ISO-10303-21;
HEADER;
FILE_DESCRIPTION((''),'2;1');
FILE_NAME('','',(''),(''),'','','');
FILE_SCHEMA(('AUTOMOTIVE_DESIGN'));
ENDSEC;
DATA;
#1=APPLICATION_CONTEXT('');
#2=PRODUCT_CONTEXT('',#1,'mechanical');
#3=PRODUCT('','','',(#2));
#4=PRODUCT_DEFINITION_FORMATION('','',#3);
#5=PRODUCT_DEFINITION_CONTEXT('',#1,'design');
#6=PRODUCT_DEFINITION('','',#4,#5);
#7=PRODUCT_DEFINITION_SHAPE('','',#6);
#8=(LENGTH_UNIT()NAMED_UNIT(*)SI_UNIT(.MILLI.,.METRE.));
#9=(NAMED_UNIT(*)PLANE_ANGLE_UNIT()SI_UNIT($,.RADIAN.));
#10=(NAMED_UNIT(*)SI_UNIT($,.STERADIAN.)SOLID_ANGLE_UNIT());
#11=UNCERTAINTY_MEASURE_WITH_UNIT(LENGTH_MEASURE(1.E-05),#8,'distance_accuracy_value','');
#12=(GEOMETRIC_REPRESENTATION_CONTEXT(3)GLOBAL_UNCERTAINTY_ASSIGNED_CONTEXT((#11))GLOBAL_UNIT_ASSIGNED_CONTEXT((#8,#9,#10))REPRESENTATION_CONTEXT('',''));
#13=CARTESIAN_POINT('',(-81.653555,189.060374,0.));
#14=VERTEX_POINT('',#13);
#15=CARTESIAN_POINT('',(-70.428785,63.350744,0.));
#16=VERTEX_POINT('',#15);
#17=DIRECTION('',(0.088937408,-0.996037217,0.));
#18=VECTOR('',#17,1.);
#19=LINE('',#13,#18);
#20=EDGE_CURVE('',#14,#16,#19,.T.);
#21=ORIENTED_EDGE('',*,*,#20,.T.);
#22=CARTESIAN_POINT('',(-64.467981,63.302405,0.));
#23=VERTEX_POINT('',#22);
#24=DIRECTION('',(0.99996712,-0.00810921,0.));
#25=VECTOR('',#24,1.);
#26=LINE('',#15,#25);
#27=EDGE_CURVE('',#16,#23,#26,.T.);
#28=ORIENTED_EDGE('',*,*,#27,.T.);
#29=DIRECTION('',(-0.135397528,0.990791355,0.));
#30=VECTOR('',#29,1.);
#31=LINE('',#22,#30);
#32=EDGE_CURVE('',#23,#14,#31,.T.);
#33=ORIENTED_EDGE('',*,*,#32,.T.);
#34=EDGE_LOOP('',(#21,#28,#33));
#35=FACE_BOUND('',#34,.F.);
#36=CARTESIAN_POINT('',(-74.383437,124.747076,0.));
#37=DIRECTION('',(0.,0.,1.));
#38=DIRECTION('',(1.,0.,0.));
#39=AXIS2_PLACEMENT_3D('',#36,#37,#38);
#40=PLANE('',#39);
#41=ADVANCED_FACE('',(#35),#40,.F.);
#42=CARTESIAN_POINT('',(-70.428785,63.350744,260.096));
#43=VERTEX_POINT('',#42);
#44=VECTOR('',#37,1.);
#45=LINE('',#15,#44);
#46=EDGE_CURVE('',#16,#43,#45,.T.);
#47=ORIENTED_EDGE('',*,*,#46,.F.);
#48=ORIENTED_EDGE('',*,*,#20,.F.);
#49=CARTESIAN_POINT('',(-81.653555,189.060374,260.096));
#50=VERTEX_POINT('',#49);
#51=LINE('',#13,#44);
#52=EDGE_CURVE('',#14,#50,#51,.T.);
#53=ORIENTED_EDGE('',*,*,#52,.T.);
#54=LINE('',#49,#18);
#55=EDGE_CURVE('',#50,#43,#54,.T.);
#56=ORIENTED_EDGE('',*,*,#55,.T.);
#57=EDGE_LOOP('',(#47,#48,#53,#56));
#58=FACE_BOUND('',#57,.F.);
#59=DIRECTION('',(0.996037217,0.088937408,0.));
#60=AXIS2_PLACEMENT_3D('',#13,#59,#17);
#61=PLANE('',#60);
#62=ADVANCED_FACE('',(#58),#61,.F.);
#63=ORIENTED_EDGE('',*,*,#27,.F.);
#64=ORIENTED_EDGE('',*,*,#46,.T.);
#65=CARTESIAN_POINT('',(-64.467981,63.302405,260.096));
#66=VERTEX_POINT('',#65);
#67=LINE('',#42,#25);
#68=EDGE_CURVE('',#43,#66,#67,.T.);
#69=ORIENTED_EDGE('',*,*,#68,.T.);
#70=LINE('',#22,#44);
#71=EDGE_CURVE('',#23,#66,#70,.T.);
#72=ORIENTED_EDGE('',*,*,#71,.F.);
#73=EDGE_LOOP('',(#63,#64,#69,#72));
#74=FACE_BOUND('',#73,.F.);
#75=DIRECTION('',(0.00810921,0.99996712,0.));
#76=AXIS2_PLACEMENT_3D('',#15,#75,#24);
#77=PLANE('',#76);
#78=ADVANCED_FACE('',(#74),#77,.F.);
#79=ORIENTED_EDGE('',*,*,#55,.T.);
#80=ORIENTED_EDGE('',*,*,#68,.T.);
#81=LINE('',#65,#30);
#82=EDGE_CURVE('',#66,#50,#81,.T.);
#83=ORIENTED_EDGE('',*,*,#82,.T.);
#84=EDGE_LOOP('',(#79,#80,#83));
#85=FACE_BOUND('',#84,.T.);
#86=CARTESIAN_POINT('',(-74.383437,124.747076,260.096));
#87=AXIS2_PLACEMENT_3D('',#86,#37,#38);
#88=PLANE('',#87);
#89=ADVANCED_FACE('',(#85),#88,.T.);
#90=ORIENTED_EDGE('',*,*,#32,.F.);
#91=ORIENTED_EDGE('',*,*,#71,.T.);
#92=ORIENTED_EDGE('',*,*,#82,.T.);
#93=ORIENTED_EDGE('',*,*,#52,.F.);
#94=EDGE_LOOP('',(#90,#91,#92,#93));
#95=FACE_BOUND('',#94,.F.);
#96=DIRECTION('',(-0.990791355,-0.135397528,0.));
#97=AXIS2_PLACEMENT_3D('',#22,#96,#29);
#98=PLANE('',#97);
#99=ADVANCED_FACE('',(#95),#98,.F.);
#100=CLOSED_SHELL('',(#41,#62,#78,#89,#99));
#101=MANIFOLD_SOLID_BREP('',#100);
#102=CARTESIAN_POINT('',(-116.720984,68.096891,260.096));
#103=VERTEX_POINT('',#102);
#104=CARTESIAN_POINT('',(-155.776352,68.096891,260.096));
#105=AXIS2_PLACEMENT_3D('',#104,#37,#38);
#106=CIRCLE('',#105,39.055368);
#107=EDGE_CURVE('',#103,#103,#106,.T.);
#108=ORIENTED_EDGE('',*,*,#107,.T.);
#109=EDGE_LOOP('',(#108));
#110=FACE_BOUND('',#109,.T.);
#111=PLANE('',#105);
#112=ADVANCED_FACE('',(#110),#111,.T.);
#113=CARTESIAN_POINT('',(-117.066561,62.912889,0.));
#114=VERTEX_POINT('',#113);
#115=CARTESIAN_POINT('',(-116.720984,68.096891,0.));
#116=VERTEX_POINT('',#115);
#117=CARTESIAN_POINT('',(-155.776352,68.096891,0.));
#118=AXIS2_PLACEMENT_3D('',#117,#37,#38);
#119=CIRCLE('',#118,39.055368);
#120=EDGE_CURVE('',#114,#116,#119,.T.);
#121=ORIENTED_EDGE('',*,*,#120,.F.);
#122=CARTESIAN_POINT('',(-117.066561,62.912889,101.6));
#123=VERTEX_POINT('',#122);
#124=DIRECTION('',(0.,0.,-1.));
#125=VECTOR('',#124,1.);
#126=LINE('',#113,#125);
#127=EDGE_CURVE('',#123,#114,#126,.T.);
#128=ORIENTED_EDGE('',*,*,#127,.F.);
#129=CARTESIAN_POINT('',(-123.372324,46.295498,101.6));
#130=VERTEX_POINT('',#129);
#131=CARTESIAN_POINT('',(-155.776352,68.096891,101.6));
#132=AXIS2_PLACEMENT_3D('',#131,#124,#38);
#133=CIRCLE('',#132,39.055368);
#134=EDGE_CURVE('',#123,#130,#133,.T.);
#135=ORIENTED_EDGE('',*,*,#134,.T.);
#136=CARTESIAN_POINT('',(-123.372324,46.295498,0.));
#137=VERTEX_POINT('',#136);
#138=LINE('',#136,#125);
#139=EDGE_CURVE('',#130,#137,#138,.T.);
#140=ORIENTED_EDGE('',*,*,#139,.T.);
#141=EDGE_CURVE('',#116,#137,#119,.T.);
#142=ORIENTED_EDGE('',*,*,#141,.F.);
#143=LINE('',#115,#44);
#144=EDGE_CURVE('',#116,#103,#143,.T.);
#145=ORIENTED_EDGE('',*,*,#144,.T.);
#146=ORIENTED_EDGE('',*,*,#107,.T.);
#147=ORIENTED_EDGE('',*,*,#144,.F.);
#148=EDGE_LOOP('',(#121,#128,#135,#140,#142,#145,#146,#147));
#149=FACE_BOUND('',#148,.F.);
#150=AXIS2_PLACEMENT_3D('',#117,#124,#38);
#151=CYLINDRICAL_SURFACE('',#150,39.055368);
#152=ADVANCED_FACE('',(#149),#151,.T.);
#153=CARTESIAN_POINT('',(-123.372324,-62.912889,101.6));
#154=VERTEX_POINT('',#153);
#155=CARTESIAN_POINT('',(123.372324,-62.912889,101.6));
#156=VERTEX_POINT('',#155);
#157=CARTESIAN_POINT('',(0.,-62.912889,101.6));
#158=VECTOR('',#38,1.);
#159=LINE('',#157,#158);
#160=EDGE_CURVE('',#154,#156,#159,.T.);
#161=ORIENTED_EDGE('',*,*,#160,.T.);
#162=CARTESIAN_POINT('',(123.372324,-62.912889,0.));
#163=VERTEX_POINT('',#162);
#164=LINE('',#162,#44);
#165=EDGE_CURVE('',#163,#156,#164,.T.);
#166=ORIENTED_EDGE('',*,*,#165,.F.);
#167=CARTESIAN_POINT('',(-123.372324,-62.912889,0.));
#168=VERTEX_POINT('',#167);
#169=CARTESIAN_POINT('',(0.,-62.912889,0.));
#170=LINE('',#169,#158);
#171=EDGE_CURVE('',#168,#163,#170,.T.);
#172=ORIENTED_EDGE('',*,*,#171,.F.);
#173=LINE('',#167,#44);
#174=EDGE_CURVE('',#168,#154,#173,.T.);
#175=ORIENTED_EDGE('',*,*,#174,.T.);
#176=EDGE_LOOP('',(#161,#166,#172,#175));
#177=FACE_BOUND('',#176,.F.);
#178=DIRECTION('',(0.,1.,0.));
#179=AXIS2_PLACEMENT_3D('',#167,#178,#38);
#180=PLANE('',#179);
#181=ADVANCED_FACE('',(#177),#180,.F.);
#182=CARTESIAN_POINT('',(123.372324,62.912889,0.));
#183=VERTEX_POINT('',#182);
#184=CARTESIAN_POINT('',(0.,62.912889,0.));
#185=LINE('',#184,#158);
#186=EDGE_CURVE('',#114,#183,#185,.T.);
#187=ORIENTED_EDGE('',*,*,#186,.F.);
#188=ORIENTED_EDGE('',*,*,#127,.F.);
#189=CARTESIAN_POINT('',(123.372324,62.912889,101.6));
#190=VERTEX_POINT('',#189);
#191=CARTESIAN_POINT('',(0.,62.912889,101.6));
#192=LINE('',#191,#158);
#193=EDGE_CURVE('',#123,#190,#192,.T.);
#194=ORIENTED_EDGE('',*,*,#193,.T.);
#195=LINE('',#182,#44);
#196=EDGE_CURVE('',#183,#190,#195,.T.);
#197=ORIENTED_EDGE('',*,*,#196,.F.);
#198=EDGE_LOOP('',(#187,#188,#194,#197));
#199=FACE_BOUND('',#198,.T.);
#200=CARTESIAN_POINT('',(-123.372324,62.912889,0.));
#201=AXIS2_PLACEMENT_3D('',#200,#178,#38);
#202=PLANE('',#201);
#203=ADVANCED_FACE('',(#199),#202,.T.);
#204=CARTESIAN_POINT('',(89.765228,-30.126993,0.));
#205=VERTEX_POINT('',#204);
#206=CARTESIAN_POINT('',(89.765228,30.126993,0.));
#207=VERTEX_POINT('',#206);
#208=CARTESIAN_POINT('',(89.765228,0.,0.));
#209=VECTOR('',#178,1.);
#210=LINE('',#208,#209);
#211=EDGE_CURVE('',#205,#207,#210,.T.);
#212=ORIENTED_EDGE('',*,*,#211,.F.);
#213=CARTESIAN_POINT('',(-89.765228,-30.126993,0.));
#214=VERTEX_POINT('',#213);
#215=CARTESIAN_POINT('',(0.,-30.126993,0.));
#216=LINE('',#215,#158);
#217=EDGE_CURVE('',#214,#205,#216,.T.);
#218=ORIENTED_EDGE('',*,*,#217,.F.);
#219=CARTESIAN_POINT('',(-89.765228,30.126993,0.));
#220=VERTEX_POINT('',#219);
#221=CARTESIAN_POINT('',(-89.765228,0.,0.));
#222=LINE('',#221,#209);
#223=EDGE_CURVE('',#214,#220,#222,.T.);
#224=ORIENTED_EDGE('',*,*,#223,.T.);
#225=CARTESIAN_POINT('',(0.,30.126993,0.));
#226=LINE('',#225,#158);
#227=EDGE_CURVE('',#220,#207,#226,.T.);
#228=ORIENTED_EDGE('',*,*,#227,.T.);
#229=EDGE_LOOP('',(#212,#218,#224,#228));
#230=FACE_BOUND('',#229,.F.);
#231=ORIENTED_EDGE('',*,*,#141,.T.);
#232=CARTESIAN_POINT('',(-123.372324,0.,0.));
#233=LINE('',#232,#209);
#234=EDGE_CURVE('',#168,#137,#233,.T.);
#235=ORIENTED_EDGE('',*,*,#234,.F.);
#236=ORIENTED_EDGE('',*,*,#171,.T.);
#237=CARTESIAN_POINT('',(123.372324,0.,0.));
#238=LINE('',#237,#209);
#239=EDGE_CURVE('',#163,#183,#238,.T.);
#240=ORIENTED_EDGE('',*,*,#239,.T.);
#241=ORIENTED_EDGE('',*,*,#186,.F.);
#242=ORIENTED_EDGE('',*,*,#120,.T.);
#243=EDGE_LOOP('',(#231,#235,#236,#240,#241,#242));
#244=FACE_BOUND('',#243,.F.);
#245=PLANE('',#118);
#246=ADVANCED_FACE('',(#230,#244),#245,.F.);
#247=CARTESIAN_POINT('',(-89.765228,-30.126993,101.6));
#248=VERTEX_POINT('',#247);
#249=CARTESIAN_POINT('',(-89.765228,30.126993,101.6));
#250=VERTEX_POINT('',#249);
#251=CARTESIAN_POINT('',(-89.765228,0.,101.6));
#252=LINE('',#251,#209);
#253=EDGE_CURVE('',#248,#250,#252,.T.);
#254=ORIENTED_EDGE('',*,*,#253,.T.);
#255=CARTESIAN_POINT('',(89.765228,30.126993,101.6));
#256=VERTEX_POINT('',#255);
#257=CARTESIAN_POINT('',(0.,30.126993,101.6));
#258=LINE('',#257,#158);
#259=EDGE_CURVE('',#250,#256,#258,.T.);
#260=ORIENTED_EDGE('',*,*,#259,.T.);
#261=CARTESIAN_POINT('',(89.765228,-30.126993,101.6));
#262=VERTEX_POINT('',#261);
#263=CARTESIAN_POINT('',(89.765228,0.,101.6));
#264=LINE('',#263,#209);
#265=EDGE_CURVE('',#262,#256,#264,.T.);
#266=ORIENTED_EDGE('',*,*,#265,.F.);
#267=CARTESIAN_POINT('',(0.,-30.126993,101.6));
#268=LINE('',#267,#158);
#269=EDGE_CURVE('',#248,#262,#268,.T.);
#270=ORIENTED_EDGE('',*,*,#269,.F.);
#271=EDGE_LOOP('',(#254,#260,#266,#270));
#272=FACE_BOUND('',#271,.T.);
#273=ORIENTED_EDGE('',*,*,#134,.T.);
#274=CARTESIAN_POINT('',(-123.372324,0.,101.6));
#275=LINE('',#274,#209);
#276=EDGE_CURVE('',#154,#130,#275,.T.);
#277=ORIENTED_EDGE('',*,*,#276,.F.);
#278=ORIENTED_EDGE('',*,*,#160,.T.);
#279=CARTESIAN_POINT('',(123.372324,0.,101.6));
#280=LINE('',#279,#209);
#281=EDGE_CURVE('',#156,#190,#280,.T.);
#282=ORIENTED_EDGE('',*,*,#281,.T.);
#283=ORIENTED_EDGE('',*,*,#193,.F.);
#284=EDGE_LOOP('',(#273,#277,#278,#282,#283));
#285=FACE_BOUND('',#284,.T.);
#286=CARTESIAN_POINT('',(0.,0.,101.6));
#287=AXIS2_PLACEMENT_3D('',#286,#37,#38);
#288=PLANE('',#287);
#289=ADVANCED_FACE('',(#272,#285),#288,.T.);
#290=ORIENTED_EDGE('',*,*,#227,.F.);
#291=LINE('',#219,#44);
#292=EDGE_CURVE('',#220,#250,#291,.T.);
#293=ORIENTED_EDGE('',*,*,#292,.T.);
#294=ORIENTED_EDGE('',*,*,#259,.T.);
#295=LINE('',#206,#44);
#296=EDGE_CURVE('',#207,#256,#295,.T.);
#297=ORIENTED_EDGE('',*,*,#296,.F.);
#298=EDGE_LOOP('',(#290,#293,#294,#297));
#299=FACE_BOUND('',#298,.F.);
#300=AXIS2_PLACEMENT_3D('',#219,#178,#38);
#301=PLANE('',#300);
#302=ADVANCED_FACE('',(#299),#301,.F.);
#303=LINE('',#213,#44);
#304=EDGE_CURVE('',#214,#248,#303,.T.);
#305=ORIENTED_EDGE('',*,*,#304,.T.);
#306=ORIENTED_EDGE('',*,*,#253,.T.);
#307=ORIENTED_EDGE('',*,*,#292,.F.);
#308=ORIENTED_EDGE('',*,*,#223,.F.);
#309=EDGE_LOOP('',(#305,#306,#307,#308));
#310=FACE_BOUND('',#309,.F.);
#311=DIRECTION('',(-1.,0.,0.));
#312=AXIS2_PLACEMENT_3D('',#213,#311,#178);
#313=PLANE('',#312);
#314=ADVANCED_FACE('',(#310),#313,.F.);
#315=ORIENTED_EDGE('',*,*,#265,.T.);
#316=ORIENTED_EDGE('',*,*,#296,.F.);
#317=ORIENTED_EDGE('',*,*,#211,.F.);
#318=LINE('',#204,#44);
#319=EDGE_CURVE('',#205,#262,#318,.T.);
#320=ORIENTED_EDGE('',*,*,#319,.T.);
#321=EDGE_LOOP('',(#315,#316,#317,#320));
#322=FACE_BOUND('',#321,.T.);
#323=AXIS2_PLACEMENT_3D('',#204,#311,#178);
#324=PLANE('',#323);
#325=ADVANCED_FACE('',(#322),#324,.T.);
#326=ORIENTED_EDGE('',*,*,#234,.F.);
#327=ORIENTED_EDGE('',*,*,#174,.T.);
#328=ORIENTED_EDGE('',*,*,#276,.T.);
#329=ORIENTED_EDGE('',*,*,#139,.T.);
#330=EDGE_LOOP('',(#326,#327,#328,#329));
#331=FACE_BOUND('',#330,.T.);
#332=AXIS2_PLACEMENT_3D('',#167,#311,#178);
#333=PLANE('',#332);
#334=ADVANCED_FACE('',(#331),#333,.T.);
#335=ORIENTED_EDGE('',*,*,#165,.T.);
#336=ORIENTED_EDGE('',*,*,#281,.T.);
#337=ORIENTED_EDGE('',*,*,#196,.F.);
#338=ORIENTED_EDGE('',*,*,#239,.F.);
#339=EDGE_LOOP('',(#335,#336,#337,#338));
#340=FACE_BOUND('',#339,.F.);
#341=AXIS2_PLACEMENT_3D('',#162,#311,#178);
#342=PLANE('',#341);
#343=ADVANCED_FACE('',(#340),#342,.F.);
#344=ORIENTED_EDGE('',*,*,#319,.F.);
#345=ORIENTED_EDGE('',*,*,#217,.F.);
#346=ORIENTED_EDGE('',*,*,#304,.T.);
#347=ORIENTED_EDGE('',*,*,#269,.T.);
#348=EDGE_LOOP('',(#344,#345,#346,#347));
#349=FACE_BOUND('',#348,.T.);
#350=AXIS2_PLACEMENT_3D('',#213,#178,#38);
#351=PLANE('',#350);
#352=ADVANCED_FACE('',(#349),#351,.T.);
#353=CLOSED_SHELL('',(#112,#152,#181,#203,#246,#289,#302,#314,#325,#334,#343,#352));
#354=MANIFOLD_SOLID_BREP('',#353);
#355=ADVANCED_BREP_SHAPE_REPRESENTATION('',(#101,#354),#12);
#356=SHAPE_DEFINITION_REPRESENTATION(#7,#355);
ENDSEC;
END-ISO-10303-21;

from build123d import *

# Parameters (mm, degrees)
F0_W     = 246.744648
F0_H     = 125.825778
F0_W_2   = 179.530456
F0_H_2   = 60.253986
F1_DEPTH = 101.6
F3_R     = 39.055368
F3_R_2   = 15.617245
F4_DEPTH = 260.096


with BuildPart() as f1:
    # F0 (on Top) → F1 (new body)
    with BuildSketch(Plane.XY):
        Rectangle(F0_W, F0_H)
        Rectangle(F0_W_2, F0_H_2, mode=Mode.SUBTRACT)
    extrude(amount=F1_DEPTH)

    # F3 (on Top) + F2 (on Top) → F4 (join)
    with BuildSketch(Plane.XY):
        with Locations((-155.776352, 68.096891)):
            Circle(F3_R)
        with Locations((-155.776352, 68.096891)):
            Circle(F3_R_2, mode=Mode.SUBTRACT)
        with Locations((-155.776352, 68.096891)):
            Circle(F3_R_2)
    with BuildSketch(Plane.XY):
        Polygon((-81.653555, 189.060374), (-70.428785, 63.350744), (-64.467981, 63.302405), align=None)
    extrude(amount=F4_DEPTH)


solid = f1.part
